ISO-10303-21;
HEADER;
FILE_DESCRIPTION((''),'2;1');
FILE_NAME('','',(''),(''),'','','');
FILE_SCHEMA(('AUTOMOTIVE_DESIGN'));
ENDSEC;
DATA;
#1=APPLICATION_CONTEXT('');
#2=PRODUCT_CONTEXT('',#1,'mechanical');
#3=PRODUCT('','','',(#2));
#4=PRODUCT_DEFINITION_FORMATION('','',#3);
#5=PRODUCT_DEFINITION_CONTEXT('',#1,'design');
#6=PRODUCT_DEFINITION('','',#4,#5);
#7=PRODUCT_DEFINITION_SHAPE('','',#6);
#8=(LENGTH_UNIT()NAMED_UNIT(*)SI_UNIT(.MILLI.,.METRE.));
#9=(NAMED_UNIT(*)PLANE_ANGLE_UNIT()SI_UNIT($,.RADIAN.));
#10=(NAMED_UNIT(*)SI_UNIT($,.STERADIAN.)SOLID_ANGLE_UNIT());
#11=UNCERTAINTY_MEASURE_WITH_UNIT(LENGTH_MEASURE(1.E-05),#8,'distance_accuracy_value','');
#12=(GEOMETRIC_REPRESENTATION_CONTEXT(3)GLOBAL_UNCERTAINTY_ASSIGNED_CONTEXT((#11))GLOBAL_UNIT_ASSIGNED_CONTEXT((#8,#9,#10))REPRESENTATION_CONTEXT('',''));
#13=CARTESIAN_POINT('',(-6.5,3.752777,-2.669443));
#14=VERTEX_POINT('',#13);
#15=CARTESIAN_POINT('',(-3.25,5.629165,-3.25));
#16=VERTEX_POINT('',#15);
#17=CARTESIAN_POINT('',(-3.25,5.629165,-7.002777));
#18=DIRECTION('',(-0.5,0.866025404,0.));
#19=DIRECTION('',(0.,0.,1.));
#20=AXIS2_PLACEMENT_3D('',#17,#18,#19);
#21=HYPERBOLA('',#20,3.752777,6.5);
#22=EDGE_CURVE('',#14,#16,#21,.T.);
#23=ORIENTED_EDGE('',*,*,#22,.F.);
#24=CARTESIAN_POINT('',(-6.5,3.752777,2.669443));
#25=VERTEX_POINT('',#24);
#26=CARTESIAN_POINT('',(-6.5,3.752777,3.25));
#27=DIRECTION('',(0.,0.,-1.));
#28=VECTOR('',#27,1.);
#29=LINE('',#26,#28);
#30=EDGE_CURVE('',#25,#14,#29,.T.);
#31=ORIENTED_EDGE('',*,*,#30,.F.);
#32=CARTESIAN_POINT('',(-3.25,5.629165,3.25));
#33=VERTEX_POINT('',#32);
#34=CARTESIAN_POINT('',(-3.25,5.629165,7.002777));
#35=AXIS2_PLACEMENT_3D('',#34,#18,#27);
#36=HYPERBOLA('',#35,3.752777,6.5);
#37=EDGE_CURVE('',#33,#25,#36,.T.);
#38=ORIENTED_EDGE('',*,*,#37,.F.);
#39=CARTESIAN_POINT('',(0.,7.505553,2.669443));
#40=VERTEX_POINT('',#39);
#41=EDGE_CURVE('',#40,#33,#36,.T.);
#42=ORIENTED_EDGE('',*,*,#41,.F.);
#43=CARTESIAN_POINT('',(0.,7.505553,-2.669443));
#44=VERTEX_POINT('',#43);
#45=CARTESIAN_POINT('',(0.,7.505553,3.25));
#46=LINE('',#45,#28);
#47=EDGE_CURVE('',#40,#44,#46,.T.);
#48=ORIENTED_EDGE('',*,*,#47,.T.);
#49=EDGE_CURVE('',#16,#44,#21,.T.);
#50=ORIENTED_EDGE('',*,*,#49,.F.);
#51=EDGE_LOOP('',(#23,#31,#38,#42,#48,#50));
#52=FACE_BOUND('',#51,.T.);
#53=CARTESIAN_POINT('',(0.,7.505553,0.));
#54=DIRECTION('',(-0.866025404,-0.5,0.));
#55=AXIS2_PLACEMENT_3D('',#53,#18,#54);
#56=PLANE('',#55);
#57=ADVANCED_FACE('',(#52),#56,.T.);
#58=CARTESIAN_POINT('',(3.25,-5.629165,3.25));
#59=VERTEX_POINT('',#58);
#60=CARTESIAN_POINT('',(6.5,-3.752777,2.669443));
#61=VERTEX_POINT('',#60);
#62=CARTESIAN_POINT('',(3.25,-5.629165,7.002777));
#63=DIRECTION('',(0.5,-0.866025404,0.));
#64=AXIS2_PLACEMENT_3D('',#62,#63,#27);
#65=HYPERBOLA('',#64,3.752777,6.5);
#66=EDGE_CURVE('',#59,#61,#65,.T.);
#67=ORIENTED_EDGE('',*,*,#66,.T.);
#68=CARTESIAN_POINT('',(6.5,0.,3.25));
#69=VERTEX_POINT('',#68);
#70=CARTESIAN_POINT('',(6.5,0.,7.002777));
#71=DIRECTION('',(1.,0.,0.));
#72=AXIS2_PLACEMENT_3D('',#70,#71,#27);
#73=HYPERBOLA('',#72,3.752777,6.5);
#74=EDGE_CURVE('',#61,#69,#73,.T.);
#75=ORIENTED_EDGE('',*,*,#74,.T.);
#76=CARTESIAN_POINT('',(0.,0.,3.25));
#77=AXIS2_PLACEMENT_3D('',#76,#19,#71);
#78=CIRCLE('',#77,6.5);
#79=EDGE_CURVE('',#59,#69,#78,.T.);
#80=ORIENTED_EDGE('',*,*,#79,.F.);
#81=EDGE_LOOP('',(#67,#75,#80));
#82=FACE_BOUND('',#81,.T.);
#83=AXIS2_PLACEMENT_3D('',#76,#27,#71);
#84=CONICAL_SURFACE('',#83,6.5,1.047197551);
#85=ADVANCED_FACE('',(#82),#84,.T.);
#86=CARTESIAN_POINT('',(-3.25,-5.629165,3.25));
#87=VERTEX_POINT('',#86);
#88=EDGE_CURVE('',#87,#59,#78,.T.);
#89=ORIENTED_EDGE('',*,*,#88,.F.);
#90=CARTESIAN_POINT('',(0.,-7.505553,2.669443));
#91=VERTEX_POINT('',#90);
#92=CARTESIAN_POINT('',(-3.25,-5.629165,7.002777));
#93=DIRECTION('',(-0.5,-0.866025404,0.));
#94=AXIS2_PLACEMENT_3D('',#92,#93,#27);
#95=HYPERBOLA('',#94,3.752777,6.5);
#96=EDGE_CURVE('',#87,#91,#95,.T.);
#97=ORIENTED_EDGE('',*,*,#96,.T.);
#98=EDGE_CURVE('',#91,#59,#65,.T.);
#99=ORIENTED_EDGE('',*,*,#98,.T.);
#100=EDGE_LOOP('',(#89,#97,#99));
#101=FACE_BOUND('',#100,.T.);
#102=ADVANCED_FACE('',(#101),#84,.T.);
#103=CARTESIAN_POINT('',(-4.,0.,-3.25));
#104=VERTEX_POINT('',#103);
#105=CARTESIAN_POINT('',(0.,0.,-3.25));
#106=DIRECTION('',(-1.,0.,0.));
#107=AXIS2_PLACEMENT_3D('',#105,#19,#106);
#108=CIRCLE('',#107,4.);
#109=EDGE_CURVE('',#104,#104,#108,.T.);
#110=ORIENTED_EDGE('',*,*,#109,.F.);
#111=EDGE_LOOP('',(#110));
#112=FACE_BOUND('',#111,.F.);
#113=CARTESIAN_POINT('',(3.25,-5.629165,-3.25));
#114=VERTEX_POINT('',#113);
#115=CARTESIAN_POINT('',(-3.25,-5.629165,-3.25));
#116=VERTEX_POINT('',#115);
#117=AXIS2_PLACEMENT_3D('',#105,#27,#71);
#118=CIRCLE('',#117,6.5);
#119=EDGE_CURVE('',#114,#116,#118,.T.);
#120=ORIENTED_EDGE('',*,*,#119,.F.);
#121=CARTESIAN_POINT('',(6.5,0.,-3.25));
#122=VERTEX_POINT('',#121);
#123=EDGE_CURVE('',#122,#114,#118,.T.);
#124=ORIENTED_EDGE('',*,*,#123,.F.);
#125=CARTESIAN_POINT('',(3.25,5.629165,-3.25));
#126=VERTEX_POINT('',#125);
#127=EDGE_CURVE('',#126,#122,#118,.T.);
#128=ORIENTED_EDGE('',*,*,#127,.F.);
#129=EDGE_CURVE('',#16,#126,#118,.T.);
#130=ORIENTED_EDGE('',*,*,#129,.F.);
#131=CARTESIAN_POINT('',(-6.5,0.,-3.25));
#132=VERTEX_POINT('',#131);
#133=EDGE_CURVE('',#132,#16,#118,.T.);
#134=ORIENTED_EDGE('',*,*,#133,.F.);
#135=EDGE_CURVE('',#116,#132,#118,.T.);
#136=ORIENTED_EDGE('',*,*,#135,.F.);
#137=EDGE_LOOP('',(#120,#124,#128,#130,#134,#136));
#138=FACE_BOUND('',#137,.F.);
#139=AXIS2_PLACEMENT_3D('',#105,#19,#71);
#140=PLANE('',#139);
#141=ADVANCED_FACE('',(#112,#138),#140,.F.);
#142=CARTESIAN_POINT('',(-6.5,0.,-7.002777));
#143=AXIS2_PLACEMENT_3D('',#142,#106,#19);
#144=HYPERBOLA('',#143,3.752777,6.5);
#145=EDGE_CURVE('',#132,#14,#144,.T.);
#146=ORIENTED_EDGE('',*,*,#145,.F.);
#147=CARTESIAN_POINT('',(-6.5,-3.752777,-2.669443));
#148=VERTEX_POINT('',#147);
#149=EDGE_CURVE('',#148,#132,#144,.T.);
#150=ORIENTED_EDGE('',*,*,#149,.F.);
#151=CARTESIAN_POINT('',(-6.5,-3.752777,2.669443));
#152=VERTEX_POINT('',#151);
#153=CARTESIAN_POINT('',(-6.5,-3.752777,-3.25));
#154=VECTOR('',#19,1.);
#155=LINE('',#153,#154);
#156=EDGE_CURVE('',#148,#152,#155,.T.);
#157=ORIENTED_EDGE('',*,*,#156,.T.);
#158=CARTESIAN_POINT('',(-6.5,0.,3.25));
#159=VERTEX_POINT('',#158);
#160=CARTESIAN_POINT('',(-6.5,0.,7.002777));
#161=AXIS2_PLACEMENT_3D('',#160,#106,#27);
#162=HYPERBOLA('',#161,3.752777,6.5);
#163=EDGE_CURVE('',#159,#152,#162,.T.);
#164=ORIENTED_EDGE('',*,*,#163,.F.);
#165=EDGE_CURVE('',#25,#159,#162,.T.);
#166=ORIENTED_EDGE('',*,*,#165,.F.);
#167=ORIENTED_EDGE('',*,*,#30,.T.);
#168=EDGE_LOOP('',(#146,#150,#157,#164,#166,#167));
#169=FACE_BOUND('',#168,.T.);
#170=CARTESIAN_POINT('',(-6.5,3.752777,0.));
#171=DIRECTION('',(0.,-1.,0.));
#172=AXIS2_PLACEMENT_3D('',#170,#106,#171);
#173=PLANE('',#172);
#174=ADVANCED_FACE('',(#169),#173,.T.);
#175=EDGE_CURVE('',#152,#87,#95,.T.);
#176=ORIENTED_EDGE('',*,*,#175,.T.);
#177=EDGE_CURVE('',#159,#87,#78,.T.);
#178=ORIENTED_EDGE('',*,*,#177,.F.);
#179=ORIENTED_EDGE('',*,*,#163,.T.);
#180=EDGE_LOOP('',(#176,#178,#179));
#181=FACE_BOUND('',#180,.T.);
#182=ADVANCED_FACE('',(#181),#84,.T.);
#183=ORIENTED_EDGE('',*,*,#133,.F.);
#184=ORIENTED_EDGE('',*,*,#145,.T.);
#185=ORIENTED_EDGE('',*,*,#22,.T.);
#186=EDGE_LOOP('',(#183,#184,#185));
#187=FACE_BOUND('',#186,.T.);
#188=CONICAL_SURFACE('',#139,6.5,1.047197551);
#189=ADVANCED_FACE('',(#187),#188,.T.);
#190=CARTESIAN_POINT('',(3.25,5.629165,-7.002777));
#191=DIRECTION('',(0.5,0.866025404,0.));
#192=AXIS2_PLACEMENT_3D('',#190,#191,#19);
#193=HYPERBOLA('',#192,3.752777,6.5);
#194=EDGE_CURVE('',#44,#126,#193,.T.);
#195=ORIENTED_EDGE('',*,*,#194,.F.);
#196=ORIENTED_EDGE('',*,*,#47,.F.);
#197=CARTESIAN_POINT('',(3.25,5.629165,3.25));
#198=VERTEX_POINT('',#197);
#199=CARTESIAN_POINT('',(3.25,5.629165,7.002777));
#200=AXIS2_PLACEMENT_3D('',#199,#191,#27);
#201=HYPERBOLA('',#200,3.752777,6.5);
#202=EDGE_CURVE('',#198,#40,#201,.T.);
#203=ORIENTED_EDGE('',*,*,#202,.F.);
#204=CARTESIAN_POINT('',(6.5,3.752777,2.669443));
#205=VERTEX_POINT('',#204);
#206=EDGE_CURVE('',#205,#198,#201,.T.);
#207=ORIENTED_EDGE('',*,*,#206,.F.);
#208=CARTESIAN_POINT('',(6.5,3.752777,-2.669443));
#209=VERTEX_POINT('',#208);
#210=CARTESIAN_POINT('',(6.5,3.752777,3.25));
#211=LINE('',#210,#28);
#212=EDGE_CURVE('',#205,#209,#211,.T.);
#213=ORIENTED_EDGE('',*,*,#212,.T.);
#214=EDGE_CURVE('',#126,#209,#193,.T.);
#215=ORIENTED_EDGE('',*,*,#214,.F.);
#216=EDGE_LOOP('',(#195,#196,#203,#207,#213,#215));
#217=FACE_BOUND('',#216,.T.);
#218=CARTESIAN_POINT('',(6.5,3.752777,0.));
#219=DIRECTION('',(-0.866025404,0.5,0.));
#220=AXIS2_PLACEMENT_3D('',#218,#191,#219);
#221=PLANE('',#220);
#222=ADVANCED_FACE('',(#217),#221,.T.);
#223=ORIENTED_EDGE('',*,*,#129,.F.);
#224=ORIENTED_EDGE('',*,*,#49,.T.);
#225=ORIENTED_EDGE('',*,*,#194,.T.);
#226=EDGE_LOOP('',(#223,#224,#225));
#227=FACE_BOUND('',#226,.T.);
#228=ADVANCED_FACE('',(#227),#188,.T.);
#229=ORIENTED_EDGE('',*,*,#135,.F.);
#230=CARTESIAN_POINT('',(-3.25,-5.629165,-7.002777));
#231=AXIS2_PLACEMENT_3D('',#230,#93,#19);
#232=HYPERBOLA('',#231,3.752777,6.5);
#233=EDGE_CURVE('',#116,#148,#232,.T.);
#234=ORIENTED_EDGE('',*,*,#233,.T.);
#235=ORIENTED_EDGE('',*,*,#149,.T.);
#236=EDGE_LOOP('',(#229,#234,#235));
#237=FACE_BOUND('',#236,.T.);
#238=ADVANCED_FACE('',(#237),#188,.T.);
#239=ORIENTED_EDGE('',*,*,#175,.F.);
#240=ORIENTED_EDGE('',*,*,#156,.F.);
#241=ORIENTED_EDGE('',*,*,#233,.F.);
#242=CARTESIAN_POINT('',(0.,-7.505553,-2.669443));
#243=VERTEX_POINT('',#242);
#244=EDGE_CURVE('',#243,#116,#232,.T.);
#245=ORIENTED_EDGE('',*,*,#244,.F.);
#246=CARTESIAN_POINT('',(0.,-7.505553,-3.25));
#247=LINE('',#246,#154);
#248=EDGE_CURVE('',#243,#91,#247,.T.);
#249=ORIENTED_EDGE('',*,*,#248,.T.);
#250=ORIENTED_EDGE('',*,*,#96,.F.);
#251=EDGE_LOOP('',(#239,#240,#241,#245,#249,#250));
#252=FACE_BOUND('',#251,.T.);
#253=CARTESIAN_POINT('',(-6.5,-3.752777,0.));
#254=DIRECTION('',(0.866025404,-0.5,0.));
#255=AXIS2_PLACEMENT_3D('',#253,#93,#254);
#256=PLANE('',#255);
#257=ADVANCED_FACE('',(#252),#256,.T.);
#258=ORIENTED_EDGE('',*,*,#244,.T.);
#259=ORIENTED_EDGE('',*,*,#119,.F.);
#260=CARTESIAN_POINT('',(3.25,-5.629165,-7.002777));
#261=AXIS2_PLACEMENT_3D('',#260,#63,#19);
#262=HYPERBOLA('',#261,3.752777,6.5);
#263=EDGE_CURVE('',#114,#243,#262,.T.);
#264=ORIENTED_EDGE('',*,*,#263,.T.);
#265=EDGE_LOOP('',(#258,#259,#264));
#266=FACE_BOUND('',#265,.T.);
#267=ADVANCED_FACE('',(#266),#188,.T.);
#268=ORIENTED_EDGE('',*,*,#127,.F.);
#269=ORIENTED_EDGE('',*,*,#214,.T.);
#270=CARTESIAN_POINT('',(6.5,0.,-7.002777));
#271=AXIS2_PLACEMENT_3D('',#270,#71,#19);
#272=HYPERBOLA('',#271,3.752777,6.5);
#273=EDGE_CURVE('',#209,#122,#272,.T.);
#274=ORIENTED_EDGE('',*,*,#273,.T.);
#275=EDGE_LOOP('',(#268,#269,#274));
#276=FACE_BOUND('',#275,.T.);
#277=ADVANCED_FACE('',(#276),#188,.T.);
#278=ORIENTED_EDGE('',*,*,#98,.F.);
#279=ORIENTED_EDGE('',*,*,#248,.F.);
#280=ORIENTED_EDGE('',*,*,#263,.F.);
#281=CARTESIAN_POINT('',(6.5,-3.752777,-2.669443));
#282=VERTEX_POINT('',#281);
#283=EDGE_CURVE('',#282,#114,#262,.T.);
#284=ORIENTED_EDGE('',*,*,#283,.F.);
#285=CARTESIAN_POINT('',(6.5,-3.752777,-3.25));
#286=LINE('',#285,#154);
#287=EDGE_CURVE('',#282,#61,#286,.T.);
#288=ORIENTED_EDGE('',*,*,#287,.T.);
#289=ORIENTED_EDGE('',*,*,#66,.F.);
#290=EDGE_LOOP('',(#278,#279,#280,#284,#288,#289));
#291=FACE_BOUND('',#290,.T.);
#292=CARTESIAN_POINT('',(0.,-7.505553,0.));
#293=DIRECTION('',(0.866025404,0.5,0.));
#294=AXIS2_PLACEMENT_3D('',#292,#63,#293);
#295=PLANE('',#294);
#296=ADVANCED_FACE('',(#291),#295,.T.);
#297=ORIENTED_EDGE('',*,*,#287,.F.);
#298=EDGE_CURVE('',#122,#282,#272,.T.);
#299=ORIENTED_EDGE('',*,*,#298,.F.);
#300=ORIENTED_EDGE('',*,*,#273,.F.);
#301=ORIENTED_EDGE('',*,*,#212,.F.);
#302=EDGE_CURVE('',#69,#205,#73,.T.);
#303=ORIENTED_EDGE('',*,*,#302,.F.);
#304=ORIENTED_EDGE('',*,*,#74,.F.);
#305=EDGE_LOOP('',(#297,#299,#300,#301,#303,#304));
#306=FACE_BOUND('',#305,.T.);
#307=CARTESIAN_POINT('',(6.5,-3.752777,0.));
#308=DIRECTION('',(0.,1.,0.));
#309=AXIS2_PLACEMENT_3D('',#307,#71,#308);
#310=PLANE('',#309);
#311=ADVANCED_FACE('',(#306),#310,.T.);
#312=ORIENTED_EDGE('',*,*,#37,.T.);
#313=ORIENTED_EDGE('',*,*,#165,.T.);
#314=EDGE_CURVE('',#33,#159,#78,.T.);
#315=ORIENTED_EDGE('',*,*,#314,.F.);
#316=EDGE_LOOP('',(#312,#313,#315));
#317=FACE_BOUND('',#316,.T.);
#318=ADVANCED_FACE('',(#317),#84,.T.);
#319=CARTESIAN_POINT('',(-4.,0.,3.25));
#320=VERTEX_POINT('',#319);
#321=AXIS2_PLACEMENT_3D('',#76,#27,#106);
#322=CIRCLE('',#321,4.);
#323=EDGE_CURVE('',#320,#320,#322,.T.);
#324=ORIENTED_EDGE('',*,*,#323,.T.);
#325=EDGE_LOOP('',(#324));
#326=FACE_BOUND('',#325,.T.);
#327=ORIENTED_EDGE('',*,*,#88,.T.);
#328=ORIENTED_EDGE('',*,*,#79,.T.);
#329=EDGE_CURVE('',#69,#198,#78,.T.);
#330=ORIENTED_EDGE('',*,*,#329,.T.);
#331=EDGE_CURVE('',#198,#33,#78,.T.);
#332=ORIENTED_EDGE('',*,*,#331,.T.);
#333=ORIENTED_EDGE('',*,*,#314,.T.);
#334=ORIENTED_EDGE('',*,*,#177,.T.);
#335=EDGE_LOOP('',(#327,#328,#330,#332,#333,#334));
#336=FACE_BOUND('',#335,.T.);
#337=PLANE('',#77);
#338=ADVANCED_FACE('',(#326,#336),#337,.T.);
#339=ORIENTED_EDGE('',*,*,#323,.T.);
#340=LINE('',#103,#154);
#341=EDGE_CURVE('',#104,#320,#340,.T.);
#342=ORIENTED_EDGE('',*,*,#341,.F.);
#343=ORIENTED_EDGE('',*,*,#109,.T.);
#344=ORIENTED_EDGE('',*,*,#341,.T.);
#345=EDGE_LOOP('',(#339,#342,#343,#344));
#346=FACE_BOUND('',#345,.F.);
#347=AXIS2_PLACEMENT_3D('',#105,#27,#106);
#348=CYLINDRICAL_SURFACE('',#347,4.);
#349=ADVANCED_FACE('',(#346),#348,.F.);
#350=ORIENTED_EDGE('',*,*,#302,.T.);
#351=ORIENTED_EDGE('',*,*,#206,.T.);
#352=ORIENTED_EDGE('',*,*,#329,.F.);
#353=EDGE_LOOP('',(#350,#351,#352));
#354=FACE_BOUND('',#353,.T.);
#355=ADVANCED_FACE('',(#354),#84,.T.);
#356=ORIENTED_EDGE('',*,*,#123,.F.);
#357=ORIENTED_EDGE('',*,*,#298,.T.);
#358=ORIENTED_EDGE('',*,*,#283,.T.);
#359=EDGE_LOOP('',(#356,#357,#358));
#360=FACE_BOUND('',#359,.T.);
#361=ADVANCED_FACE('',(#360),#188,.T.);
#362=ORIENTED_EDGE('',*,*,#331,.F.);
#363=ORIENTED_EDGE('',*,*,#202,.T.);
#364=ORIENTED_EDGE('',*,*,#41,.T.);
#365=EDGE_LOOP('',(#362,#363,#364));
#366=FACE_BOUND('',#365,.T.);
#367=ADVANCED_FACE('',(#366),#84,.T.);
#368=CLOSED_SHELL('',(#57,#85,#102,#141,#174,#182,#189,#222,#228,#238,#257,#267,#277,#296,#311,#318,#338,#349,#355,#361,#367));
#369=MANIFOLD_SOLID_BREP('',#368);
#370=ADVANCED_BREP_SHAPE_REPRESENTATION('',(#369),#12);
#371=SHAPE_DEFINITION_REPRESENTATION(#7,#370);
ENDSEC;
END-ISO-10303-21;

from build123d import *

# Parameters (mm, degrees)
EXTRUDE1_DEPTH          = 3.25
SKETCH13_R              = 4
BOSS_EXTRUDE1_DEPTH     = 6.5
SKETCH7_OUTSIDE_W       = 107.168
SKETCH7_OUTSIDE_H       = 109.18
SKETCH7_OUTSIDE_R       = 6.5
EXTRUDE2_DEPTH          = 25.4
EXTRUDE2_DRAFT          = -60
MIRROR2_COPY_1_SKETCH_W = 107.168
MIRROR2_COPY_1_SKETCH_H = 109.18
MIRROR2_COPY_1_SKETCH_R = 6.5
MIRROR2_COPY_1_DEPTH    = 25.4
MIRROR2_COPY_1_DRAFT    = -60


with BuildPart() as part:
    # Sketch1 → Extrude1 (new, symmetric)
    with BuildSketch(Plane.XY):
        Polygon((-6.5, 3.75277675), (-6.5, -3.75277675), (0, -7.505553499), (6.5, -3.75277675), (6.5, 3.75277675), (0, 7.505553499), align=None)
    extrude(amount=EXTRUDE1_DEPTH, both=True)

    # Cut-Extrude2 cone 1 section (through the dimple's axis) → Cut-Extrude2 (revolve, cut)
    with BuildSketch(Plane(origin=(0, 0, 3.25), x_dir=(0, -1, 0), z_dir=(1, 0, 0))):
        Polygon((0, 0), (4, 0), (0, 4), align=None)
    revolve(axis=Axis((0, 0, 3.25), (0, 0, -1)), mode=Mode.SUBTRACT)

    # Cut-Extrude3 cone 1 section (through the dimple's axis) → Cut-Extrude3 (revolve, cut)
    with BuildSketch(Plane(origin=(0, 0, -3.25), x_dir=(0, 1, 0), z_dir=(1, 0, 0))):
        Polygon((0, 0), (4, 0), (0, 4), align=None)
    revolve(axis=Axis((0, 0, -3.25), (0, 0, 1)), mode=Mode.SUBTRACT)


with BuildPart() as body_2:
    # Sketch13 → Boss-Extrude1 (new body)
    with BuildSketch(Plane(origin=(0, 0, -3.25), x_dir=(-1, 0, 0), z_dir=(0, 0, -1))):
        Circle(SKETCH13_R)
    extrude(amount=-BOSS_EXTRUDE1_DEPTH)


with BuildPart() as part_1:
    add(part.part)

    # Combine1: cut body 2
    add(body_2.part, mode=Mode.SUBTRACT)


with BuildPart() as extrude2_tool:
    # Sketch7 outside → Extrude2 (with draft: the straight prism first)
    with BuildSketch(Plane.XY.offset(3.25)):
        Rectangle(SKETCH7_OUTSIDE_W, SKETCH7_OUTSIDE_H)
        Circle(SKETCH7_OUTSIDE_R, mode=Mode.SUBTRACT)
    extrude(amount=-EXTRUDE2_DEPTH)
    # Extrude2: the draft: its side faces are tilted about the plane it starts from
    extrude2_sides = [extrude2_tool.faces().sort_by_distance(p)[0] for p in [
        (0, -54.59, -9.45),
        (53.584, 0, -9.45),
        (0, 54.59, -9.45),
        (-53.584, 0, -9.45),
        (-6.5, 0, -9.45),
    ]]
    draft(extrude2_sides, Plane.XY.offset(3.25), EXTRUDE2_DRAFT)


with BuildPart() as part_2:
    add(part_1.part)

    # Extrude2: cut by extrude2_tool
    add(extrude2_tool.part, mode=Mode.SUBTRACT)


with BuildPart() as mirror2_copy_1_tool:
    # Mirror2 copy 1 sketch → Mirror2 copy 1 (with draft: the straight prism first)
    with BuildSketch(Plane(origin=(0, 0, -3.25), x_dir=(1, 0, 0), z_dir=(0, 0, -1))):
        Rectangle(MIRROR2_COPY_1_SKETCH_W, MIRROR2_COPY_1_SKETCH_H)
        Circle(MIRROR2_COPY_1_SKETCH_R, mode=Mode.SUBTRACT)
    extrude(amount=-MIRROR2_COPY_1_DEPTH)
    # Mirror2 copy 1: the draft: its side faces are tilted about the plane it starts from
    mirror2_copy_1_sides = [mirror2_copy_1_tool.faces().sort_by_distance(p)[0] for p in [
        (0, -54.59, 9.45),
        (53.584, 0, 9.45),
        (0, 54.59, 9.45),
        (-53.584, 0, 9.45),
        (-6.5, 0, 9.45),
    ]]
    draft(mirror2_copy_1_sides, Plane(origin=(0, 0, -3.25), x_dir=(1, 0, 0), z_dir=(0, 0, -1)), MIRROR2_COPY_1_DRAFT)


with BuildPart() as part_3:
    add(part_2.part)

    # Mirror2 copy 1: cut by mirror2_copy_1_tool
    add(mirror2_copy_1_tool.part, mode=Mode.SUBTRACT)


solid = part_3.part
